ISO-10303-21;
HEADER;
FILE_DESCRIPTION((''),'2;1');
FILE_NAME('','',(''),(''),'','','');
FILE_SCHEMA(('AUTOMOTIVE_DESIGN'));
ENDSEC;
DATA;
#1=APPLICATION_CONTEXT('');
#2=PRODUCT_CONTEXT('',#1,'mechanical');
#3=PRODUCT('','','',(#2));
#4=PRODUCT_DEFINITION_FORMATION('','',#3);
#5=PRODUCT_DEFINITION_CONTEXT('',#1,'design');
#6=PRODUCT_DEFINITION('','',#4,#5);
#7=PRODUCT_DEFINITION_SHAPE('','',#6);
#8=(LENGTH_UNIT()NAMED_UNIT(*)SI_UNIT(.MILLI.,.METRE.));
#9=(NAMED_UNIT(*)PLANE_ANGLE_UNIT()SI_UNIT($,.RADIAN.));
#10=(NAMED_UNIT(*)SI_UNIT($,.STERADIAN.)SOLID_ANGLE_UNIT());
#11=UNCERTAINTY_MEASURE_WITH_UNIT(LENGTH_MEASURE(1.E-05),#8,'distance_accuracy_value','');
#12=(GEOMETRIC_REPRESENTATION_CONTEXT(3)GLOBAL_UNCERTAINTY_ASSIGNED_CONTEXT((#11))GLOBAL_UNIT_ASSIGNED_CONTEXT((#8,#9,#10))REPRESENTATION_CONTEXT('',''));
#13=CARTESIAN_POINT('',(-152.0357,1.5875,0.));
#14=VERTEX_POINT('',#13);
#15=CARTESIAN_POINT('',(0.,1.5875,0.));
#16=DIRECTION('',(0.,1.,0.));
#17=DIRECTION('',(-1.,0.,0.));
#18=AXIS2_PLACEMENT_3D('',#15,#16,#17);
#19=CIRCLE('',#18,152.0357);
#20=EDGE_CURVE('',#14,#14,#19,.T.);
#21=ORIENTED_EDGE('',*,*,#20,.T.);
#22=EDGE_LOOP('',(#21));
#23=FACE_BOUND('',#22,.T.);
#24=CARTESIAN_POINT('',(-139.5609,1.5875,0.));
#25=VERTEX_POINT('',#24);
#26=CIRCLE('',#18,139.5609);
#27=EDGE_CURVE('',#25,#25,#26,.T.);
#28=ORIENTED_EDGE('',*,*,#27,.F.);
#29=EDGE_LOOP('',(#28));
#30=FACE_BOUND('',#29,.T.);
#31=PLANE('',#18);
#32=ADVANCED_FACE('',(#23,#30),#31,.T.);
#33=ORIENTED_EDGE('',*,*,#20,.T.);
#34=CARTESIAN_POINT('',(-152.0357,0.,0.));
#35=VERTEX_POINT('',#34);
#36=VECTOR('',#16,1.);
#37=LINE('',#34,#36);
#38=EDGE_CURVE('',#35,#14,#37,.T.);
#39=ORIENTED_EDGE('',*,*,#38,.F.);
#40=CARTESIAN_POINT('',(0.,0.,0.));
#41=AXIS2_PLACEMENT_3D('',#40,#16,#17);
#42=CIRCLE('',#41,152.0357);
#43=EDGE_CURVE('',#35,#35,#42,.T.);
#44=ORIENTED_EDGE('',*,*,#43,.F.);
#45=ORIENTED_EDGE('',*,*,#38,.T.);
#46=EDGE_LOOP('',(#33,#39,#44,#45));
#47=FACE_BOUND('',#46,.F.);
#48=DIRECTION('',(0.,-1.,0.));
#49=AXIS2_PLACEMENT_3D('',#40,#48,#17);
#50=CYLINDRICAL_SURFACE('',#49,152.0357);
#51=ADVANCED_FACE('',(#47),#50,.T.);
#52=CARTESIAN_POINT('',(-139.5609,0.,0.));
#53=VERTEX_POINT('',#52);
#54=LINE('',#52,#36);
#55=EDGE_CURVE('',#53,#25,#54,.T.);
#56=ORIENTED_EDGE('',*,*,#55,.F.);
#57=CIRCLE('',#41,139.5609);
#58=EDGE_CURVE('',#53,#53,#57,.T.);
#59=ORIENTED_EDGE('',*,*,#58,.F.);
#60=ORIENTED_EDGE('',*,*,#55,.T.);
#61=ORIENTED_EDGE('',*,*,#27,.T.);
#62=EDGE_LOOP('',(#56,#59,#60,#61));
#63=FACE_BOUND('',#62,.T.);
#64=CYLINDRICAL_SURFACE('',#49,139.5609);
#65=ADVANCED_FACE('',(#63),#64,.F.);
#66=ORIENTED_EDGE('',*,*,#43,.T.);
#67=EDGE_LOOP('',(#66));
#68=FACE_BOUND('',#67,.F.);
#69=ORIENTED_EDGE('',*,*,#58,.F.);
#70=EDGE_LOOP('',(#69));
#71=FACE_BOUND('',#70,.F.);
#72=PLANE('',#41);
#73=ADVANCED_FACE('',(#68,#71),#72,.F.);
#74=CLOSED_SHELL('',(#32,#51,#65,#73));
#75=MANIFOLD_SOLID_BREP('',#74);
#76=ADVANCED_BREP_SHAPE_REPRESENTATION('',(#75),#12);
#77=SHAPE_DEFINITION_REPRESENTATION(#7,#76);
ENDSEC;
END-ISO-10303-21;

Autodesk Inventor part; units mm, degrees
ref_plane "YZ Plane" through (0, 0, 0) normal (1, 0, 0) x (0, 1, 0)
ref_plane "XZ Plane" through (0, 0, 0) normal (0, 1, 0) x (-1, 0, 0)
ref_plane "XY Plane" through (0, 0, 0) normal (0, 0, 1) x (1, 0, 0)
sketch "Sketch1" plane through (0, 0, 0) normal (0, 1, 0) x (-1, 0, 0)
  circle A0 centre (0, 0) radius 152.0357
  circle A1 centre (0, 0) radius 139.5609
  dimension "d0" = 304.0714
  dimension "d1" = 279.1218
extrude "Extrusion1" add sketch "Sketch1" along normal blind 1.5875
equation "\"d1\" = IBDia"
equation "\"d2\" = Wall"
equation "\"IBDia\" = 279.121792"
equation "\"Wall\" = 1.5875"
properties part number "BevelBasePlate"
